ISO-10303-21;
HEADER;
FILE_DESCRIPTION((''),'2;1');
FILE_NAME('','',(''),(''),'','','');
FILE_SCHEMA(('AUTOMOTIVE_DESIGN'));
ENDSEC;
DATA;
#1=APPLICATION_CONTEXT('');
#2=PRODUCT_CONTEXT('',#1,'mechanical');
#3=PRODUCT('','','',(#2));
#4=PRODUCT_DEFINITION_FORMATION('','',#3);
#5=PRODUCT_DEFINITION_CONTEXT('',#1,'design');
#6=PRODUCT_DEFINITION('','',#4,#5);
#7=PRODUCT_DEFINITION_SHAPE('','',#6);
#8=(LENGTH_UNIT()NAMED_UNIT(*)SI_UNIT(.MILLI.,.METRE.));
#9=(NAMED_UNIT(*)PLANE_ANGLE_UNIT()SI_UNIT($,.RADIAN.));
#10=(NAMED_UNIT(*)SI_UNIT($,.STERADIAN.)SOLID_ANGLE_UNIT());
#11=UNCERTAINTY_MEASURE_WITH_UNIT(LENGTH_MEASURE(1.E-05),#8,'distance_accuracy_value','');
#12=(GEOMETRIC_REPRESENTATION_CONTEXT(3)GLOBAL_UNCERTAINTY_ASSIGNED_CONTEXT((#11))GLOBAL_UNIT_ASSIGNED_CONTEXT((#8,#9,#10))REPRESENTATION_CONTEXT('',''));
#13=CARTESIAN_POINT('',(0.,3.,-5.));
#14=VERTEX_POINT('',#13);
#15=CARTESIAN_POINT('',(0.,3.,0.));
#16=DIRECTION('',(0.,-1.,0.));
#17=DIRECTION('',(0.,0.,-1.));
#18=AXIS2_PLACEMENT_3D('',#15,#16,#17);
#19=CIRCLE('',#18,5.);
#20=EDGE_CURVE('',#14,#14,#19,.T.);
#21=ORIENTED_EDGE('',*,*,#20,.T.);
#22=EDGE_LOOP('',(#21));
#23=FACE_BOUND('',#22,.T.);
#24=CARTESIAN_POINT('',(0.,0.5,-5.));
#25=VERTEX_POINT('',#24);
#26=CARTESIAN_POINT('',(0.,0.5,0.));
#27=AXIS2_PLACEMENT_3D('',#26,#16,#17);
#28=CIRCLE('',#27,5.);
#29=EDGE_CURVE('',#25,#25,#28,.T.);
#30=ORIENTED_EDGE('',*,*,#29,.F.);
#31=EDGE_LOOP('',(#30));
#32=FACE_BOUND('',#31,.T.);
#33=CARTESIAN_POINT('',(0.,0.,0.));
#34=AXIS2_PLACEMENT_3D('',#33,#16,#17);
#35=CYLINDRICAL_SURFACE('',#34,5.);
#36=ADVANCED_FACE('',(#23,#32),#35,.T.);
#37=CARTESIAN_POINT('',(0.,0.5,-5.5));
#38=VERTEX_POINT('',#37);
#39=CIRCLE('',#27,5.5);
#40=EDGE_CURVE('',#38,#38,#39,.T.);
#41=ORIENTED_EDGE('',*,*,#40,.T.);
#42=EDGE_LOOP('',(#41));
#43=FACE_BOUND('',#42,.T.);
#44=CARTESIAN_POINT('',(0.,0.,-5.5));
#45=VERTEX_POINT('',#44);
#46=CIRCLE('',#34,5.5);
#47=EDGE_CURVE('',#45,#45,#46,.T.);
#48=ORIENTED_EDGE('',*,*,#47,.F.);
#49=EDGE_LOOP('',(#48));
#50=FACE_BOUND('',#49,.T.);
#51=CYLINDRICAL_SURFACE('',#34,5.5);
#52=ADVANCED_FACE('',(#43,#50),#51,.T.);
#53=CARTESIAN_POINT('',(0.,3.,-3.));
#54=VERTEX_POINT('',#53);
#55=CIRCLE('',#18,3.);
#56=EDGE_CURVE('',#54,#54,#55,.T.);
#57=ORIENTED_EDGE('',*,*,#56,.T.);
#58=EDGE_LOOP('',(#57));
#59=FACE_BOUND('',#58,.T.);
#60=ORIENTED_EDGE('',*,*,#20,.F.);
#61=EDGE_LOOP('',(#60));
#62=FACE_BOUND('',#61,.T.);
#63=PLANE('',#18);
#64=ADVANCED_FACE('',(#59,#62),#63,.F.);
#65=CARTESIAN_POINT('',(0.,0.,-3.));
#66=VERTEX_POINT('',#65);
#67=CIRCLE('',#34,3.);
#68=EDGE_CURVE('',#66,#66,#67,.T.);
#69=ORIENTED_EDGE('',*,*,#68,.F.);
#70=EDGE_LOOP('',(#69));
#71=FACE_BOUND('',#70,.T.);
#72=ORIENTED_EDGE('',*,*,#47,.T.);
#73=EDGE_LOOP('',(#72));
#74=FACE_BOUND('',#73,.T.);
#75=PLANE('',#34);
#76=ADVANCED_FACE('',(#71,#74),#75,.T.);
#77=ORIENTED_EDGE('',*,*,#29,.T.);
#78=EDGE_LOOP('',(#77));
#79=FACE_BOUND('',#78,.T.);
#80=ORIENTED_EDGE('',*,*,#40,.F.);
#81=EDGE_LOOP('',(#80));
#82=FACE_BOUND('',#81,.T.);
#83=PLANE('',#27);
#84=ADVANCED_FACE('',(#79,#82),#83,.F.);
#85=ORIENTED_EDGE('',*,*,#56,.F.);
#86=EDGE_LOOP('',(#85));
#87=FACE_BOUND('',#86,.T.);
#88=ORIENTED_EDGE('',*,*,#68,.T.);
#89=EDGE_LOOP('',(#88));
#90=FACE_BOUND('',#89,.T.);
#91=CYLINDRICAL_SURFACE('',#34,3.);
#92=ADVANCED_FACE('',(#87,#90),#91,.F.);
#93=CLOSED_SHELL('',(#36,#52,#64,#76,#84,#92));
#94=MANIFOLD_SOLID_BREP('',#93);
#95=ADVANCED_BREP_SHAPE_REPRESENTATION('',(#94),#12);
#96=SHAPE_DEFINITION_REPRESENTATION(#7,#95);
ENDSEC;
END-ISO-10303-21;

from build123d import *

# Parameters (mm, degrees)
SKETCH_1_W = 0.5
SKETCH_1_H = 0.5


with BuildPart() as part:
    # 草图1 → 旋转1 (revolve)
    with BuildSketch(Plane.XY, mode=Mode.PRIVATE) as revolve_1_sk:
        Polygon((5, 3), (3, 3), (3, 0), (5, 0), (5, 0.5), align=None)
        with Locations((5.25, 0.25)):
            Rectangle(SKETCH_1_W, SKETCH_1_H)
    revolve(revolve_1_sk.sketch.rotate(Axis((0, 0, 0), (0, 1, 0)), 90), axis=Axis((0, 0, 0), (0, 1, 0)))


solid = part.part
